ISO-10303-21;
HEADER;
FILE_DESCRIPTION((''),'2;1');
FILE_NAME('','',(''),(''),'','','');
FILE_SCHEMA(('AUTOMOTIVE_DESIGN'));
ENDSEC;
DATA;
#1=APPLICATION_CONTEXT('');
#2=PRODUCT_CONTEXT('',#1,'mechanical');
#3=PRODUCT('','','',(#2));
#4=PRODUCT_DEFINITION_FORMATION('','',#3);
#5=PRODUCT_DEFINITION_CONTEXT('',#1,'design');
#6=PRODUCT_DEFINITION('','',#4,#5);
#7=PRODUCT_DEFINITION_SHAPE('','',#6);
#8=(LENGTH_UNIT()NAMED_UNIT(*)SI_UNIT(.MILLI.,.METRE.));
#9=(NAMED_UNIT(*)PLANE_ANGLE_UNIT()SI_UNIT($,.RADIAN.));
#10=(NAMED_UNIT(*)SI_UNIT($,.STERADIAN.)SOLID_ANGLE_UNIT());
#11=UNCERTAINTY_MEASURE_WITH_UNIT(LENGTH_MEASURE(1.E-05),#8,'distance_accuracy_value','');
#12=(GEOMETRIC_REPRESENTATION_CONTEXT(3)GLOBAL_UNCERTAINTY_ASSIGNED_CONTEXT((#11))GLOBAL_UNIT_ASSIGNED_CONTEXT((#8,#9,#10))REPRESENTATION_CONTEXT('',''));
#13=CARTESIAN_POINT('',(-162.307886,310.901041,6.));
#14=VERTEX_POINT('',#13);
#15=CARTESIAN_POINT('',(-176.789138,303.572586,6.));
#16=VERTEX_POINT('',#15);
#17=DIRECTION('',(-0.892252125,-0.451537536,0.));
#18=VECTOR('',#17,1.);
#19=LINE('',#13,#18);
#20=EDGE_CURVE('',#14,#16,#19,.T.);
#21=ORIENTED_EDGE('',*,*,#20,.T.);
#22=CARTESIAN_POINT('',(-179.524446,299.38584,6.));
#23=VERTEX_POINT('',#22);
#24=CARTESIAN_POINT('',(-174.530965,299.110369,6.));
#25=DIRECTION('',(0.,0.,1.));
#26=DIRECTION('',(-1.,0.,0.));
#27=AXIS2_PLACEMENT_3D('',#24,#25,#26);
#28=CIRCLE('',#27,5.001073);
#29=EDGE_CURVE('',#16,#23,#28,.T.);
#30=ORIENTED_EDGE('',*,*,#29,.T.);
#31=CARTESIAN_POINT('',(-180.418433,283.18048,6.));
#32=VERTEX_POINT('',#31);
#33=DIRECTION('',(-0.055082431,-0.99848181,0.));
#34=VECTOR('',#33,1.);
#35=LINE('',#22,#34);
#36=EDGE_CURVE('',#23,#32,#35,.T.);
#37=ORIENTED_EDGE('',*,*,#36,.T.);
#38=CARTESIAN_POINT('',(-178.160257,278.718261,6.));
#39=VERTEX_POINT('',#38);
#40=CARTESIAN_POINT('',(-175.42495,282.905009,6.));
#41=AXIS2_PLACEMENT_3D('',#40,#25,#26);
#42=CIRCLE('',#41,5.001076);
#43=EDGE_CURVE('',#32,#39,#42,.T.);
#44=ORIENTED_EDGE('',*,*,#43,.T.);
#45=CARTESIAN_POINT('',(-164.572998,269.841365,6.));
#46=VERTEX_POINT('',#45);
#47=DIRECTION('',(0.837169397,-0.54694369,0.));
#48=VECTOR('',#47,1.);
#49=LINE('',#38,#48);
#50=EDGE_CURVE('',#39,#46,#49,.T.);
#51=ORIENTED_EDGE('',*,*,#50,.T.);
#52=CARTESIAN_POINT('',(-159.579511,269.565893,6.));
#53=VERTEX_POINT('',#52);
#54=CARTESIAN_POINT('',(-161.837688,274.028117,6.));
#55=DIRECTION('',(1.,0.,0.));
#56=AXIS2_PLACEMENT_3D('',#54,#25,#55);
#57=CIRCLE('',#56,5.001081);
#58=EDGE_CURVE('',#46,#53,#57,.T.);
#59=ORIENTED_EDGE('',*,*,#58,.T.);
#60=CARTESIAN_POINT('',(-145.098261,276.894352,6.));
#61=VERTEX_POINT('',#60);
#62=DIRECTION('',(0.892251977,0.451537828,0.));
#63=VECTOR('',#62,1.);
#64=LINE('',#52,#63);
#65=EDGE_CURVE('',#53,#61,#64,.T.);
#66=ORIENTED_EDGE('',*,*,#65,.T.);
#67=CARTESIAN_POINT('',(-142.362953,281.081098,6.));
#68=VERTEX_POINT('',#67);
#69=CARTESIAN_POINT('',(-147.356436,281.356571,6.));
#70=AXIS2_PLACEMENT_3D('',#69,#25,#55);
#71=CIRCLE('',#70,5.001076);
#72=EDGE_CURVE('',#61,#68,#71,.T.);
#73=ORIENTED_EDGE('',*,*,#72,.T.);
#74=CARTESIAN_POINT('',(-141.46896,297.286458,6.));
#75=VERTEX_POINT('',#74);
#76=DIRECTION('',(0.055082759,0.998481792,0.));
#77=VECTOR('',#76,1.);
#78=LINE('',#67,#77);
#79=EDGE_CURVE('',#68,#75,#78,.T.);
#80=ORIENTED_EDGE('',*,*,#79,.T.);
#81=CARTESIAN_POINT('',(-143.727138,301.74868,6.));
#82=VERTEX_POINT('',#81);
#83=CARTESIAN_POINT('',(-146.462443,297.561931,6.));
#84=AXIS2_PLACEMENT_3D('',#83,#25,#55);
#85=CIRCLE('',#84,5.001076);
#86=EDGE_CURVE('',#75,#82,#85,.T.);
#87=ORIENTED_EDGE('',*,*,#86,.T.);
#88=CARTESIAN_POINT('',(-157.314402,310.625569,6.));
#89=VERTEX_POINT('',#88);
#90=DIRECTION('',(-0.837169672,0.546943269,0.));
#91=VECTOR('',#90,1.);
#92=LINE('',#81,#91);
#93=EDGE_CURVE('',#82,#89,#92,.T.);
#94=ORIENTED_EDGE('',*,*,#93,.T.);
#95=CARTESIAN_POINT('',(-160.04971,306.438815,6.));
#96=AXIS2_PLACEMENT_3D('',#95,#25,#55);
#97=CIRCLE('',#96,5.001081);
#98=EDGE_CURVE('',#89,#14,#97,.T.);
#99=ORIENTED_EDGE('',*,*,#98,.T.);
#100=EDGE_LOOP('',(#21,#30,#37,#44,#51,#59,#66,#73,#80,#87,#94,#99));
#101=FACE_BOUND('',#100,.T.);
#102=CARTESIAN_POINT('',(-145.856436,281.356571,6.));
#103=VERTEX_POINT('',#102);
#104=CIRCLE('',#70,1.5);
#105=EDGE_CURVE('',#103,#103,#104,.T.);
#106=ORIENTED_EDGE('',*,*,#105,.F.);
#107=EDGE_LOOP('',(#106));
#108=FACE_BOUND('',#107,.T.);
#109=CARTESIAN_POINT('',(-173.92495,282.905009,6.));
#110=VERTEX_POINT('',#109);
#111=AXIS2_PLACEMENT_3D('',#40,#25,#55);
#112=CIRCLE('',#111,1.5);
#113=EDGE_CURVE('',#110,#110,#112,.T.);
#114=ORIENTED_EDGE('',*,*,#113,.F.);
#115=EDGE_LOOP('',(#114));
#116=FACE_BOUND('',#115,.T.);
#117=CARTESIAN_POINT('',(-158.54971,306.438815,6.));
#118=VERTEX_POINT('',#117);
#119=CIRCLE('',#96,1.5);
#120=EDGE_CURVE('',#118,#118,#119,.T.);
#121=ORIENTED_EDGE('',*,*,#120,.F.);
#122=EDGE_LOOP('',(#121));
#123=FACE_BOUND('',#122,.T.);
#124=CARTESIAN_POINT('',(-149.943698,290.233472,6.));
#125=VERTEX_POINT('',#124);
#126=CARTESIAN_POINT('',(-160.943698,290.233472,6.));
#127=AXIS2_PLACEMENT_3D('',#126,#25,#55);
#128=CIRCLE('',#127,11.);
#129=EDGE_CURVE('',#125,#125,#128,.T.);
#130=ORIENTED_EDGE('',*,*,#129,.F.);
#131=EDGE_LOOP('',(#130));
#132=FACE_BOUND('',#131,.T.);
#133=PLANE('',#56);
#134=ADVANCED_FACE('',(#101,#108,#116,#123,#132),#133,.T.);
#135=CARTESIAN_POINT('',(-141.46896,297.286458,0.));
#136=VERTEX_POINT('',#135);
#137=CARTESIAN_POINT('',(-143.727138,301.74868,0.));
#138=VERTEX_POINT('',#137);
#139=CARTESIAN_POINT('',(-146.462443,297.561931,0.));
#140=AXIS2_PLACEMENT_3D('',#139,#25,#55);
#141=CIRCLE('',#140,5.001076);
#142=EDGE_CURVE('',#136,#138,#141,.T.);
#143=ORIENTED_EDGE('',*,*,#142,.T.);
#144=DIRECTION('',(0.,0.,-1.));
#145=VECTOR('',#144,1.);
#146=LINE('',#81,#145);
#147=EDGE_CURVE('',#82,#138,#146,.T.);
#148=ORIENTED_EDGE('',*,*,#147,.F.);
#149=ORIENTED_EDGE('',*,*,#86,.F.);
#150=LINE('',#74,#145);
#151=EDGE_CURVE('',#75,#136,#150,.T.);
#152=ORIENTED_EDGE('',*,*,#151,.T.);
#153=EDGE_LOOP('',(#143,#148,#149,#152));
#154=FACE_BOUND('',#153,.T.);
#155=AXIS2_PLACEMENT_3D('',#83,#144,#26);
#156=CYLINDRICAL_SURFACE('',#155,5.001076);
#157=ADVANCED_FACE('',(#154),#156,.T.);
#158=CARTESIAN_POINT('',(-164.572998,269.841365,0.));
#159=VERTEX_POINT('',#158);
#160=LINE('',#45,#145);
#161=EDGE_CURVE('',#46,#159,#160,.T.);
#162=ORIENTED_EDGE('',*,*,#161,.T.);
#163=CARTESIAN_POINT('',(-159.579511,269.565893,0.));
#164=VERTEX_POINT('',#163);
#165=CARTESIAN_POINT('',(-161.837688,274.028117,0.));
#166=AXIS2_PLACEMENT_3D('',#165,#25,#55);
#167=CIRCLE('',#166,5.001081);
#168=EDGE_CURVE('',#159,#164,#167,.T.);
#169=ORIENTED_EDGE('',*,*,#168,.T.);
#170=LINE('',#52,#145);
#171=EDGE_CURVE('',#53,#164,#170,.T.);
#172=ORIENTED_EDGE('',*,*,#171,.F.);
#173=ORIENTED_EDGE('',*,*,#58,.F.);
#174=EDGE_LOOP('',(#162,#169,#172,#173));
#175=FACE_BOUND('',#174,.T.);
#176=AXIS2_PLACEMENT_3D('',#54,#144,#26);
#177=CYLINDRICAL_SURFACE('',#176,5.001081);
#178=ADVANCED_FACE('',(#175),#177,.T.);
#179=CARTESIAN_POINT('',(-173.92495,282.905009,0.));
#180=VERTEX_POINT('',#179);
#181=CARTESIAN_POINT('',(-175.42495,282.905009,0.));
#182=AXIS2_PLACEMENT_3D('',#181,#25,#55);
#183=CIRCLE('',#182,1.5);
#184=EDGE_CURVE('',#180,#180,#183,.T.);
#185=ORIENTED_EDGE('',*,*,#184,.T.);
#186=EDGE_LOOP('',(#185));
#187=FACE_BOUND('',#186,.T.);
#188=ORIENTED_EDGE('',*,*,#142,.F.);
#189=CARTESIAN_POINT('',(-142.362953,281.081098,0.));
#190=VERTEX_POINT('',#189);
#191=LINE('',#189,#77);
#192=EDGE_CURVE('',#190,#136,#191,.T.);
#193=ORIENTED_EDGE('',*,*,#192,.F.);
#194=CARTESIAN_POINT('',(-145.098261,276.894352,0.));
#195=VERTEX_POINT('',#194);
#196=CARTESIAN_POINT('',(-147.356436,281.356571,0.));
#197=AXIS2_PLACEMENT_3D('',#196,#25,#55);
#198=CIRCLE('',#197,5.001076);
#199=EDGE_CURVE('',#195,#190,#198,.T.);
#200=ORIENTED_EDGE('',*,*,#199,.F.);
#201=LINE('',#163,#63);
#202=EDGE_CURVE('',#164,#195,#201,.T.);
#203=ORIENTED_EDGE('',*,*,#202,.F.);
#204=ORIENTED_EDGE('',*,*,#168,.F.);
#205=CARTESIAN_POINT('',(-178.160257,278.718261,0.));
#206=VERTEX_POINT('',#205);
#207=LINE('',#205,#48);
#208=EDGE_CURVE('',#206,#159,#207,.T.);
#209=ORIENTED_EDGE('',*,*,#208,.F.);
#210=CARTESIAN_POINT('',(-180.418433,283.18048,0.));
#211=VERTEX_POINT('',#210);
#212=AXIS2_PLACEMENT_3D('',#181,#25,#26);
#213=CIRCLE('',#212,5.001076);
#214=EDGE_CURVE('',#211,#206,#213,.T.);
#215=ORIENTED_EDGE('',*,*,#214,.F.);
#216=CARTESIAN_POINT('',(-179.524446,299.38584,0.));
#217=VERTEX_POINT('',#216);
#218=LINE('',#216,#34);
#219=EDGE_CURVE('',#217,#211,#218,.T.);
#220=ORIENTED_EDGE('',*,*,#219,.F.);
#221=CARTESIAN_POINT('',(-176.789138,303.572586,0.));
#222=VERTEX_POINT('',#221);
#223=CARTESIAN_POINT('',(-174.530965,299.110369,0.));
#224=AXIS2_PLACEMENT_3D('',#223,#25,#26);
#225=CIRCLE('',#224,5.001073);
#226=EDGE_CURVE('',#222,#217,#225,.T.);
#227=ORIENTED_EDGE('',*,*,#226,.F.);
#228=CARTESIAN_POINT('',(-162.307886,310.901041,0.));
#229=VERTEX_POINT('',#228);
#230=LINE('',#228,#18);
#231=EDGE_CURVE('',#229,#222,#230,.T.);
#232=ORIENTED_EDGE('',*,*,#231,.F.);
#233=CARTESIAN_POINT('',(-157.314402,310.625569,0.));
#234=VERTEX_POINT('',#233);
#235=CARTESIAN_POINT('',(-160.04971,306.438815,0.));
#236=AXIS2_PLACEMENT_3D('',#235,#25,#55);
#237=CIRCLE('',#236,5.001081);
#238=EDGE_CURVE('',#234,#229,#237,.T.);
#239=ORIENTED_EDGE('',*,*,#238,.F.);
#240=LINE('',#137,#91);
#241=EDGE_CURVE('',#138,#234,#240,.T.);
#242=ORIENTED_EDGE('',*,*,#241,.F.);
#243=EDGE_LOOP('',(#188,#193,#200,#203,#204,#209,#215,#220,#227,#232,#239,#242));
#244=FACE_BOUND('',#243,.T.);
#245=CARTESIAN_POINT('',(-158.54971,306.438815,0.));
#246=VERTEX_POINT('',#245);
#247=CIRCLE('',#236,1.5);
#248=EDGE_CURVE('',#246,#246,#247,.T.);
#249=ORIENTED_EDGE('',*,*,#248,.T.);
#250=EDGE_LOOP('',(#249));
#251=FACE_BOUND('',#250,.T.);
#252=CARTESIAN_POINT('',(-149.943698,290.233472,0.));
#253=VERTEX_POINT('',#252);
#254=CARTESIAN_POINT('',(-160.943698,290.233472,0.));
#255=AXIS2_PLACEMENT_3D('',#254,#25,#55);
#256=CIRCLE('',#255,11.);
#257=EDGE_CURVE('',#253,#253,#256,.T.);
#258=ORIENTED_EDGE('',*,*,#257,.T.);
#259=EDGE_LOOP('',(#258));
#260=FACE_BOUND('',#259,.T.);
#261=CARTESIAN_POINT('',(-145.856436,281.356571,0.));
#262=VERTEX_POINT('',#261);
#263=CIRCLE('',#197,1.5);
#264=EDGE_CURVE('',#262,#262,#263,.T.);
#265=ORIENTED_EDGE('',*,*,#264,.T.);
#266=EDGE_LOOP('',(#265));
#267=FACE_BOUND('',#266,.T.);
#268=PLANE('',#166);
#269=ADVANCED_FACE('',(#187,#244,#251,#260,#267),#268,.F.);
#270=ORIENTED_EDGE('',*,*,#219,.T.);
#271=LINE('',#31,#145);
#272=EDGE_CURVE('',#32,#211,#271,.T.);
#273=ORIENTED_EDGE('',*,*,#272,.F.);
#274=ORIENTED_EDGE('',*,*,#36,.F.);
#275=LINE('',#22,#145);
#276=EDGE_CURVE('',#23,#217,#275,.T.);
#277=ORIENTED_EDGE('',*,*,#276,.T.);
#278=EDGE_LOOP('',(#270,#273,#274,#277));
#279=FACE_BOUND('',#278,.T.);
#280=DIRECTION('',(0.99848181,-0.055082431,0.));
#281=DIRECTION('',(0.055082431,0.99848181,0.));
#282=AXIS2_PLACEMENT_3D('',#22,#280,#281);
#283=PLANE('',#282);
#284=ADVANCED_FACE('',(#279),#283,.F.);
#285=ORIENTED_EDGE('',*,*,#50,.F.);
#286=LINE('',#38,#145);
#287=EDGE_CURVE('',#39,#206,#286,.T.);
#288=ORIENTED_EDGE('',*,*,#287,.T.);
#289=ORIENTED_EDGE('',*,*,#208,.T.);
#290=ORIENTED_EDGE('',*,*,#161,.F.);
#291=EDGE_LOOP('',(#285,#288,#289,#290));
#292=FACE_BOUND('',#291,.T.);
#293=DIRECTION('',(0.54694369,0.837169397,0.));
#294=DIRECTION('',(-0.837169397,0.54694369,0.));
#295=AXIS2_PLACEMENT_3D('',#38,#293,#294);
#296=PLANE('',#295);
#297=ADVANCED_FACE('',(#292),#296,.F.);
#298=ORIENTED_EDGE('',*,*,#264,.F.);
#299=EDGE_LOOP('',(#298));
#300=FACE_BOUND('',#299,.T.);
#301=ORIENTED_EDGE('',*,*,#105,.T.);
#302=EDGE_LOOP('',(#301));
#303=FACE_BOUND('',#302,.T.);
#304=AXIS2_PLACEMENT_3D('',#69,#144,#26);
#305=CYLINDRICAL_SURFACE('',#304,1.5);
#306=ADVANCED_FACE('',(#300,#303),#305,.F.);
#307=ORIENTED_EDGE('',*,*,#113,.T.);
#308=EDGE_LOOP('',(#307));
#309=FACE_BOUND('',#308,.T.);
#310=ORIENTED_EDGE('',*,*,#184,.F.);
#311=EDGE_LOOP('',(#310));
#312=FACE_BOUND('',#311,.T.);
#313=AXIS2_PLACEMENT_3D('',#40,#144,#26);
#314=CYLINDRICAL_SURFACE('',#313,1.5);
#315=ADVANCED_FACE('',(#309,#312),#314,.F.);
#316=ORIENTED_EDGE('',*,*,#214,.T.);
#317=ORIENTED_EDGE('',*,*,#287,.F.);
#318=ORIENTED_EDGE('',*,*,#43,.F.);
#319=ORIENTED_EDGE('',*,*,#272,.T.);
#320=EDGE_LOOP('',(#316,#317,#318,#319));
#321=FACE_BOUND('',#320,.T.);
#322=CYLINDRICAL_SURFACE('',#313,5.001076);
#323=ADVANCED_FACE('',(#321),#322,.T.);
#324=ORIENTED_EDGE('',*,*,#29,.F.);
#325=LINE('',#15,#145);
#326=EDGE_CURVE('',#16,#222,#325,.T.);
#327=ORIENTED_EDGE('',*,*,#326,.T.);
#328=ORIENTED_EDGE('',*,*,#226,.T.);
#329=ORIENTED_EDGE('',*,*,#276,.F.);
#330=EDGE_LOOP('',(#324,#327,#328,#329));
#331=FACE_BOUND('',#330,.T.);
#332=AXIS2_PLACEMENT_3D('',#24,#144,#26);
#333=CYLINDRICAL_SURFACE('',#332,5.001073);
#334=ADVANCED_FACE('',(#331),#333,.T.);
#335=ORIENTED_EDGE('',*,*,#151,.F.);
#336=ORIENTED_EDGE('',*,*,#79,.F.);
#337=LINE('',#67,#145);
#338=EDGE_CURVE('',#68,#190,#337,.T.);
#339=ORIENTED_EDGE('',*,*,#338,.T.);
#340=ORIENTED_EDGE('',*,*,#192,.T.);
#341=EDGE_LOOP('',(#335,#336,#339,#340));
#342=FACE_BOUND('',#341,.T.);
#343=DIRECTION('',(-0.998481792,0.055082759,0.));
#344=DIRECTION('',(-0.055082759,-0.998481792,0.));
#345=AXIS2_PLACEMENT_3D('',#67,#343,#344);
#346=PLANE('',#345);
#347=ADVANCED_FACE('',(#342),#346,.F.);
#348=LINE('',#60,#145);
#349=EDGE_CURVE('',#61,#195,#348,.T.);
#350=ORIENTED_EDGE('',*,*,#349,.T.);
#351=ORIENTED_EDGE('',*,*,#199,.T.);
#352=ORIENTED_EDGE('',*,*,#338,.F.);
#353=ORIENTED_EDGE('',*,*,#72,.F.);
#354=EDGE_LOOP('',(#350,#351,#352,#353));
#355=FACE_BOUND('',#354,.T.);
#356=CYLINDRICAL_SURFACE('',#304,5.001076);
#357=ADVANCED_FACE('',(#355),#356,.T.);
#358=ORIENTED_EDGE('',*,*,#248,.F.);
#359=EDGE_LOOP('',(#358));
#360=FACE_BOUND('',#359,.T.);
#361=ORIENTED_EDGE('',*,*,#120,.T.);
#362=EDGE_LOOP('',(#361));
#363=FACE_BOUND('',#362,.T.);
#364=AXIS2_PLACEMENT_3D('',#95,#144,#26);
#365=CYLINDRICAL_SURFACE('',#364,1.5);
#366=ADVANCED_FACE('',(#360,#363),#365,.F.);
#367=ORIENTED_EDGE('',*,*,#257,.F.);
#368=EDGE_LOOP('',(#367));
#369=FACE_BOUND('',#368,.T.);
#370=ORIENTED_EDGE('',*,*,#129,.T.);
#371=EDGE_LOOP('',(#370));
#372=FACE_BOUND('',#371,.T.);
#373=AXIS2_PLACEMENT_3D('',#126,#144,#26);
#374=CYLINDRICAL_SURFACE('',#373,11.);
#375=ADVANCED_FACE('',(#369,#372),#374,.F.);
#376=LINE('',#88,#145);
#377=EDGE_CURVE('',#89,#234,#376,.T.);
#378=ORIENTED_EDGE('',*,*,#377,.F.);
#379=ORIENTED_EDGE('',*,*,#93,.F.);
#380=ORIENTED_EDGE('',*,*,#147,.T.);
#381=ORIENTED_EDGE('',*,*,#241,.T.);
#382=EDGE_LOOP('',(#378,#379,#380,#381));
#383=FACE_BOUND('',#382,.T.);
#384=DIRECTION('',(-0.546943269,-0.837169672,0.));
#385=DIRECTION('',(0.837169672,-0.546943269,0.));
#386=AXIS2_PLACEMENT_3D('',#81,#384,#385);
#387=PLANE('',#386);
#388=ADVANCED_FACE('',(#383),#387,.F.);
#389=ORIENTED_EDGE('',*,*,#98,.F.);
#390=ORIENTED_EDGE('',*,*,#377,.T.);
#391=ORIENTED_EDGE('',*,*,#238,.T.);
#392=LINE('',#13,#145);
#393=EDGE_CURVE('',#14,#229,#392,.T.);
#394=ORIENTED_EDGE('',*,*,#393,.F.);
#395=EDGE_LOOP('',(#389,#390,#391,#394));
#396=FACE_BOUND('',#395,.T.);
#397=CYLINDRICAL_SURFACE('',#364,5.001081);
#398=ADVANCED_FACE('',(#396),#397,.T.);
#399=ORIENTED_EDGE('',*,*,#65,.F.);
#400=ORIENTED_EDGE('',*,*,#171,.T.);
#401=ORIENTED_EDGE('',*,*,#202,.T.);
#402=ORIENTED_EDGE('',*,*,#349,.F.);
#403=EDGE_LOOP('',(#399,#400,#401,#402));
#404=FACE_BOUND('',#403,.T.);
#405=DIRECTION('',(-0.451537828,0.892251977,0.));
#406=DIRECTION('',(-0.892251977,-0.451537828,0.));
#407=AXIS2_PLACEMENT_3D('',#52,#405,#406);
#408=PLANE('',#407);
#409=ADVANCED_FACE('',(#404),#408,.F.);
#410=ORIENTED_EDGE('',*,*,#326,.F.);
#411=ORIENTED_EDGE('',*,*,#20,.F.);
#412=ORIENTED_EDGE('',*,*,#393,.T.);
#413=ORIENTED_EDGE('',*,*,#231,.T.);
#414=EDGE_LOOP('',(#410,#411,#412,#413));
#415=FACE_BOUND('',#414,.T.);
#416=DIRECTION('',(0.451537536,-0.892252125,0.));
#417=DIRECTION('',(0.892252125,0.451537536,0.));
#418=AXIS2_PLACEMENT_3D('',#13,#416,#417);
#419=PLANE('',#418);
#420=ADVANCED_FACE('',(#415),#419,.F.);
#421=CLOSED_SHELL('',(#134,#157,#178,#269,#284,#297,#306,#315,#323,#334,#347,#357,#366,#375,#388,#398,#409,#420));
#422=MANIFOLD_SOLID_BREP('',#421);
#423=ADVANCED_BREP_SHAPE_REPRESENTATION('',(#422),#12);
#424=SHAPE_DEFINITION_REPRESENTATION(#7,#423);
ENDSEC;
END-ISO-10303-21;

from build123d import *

# Parameters (mm, degrees)
SKETCH1_R           = 1.5
SKETCH1_R_2         = 11
BOSS_EXTRUDE1_DEPTH = 6


with BuildPart() as part:
    # Sketch1 → Boss-Extrude1 (new body)
    with BuildSketch(Plane.XY):
        with BuildLine():
            Line((-159.579510726, 269.565892844), (-145.098261144, 276.89435179))
            ThreePointArc((-145.098261144, 276.89435179), (-143.169689435, 278.62126324), (-142.362953068, 281.08109828))
            Line((-142.362953068, 281.08109828), (-141.468959895, 297.28645777))
            ThreePointArc((-141.468959895, 297.28645777), (-142.000224164, 299.82010744), (-143.727138152, 301.748679567))
            Line((-143.727138152, 301.748679567), (-157.314401932, 310.62556883))
            ThreePointArc((-157.314401932, 310.62556883), (-159.774237542, 311.432303912), (-162.307885519, 310.901040648))
            Line((-162.307885519, 310.901040648), (-176.789137502, 303.572586446))
            ThreePointArc((-176.789137502, 303.572586446), (-178.717709578, 301.845675236), (-179.524445578, 299.385839957))
            Line((-179.524445578, 299.385839957), (-180.418433441, 283.180480173))
            ThreePointArc((-180.418433441, 283.180480173), (-179.887169279, 280.64683253), (-178.160257198, 278.718261388))
            Line((-178.160257198, 278.718261388), (-164.572997879, 269.841365296))
            ThreePointArc((-164.572997879, 269.841365296), (-162.113160601, 269.034628864), (-159.579510726, 269.565892844))
        make_face()
        with Locations((-147.356435925, 281.356571316)):
            Circle(SKETCH1_R, mode=Mode.SUBTRACT)
        with Locations((-160.049709636, 306.438815317)):
            Circle(SKETCH1_R, mode=Mode.SUBTRACT)
        with Locations((-175.424950493, 282.905008773)):
            Circle(SKETCH1_R, mode=Mode.SUBTRACT)
        with Locations((-160.943697824, 290.233472162)):
            Circle(SKETCH1_R_2, mode=Mode.SUBTRACT)
    extrude(amount=BOSS_EXTRUDE1_DEPTH)


solid = part.part
